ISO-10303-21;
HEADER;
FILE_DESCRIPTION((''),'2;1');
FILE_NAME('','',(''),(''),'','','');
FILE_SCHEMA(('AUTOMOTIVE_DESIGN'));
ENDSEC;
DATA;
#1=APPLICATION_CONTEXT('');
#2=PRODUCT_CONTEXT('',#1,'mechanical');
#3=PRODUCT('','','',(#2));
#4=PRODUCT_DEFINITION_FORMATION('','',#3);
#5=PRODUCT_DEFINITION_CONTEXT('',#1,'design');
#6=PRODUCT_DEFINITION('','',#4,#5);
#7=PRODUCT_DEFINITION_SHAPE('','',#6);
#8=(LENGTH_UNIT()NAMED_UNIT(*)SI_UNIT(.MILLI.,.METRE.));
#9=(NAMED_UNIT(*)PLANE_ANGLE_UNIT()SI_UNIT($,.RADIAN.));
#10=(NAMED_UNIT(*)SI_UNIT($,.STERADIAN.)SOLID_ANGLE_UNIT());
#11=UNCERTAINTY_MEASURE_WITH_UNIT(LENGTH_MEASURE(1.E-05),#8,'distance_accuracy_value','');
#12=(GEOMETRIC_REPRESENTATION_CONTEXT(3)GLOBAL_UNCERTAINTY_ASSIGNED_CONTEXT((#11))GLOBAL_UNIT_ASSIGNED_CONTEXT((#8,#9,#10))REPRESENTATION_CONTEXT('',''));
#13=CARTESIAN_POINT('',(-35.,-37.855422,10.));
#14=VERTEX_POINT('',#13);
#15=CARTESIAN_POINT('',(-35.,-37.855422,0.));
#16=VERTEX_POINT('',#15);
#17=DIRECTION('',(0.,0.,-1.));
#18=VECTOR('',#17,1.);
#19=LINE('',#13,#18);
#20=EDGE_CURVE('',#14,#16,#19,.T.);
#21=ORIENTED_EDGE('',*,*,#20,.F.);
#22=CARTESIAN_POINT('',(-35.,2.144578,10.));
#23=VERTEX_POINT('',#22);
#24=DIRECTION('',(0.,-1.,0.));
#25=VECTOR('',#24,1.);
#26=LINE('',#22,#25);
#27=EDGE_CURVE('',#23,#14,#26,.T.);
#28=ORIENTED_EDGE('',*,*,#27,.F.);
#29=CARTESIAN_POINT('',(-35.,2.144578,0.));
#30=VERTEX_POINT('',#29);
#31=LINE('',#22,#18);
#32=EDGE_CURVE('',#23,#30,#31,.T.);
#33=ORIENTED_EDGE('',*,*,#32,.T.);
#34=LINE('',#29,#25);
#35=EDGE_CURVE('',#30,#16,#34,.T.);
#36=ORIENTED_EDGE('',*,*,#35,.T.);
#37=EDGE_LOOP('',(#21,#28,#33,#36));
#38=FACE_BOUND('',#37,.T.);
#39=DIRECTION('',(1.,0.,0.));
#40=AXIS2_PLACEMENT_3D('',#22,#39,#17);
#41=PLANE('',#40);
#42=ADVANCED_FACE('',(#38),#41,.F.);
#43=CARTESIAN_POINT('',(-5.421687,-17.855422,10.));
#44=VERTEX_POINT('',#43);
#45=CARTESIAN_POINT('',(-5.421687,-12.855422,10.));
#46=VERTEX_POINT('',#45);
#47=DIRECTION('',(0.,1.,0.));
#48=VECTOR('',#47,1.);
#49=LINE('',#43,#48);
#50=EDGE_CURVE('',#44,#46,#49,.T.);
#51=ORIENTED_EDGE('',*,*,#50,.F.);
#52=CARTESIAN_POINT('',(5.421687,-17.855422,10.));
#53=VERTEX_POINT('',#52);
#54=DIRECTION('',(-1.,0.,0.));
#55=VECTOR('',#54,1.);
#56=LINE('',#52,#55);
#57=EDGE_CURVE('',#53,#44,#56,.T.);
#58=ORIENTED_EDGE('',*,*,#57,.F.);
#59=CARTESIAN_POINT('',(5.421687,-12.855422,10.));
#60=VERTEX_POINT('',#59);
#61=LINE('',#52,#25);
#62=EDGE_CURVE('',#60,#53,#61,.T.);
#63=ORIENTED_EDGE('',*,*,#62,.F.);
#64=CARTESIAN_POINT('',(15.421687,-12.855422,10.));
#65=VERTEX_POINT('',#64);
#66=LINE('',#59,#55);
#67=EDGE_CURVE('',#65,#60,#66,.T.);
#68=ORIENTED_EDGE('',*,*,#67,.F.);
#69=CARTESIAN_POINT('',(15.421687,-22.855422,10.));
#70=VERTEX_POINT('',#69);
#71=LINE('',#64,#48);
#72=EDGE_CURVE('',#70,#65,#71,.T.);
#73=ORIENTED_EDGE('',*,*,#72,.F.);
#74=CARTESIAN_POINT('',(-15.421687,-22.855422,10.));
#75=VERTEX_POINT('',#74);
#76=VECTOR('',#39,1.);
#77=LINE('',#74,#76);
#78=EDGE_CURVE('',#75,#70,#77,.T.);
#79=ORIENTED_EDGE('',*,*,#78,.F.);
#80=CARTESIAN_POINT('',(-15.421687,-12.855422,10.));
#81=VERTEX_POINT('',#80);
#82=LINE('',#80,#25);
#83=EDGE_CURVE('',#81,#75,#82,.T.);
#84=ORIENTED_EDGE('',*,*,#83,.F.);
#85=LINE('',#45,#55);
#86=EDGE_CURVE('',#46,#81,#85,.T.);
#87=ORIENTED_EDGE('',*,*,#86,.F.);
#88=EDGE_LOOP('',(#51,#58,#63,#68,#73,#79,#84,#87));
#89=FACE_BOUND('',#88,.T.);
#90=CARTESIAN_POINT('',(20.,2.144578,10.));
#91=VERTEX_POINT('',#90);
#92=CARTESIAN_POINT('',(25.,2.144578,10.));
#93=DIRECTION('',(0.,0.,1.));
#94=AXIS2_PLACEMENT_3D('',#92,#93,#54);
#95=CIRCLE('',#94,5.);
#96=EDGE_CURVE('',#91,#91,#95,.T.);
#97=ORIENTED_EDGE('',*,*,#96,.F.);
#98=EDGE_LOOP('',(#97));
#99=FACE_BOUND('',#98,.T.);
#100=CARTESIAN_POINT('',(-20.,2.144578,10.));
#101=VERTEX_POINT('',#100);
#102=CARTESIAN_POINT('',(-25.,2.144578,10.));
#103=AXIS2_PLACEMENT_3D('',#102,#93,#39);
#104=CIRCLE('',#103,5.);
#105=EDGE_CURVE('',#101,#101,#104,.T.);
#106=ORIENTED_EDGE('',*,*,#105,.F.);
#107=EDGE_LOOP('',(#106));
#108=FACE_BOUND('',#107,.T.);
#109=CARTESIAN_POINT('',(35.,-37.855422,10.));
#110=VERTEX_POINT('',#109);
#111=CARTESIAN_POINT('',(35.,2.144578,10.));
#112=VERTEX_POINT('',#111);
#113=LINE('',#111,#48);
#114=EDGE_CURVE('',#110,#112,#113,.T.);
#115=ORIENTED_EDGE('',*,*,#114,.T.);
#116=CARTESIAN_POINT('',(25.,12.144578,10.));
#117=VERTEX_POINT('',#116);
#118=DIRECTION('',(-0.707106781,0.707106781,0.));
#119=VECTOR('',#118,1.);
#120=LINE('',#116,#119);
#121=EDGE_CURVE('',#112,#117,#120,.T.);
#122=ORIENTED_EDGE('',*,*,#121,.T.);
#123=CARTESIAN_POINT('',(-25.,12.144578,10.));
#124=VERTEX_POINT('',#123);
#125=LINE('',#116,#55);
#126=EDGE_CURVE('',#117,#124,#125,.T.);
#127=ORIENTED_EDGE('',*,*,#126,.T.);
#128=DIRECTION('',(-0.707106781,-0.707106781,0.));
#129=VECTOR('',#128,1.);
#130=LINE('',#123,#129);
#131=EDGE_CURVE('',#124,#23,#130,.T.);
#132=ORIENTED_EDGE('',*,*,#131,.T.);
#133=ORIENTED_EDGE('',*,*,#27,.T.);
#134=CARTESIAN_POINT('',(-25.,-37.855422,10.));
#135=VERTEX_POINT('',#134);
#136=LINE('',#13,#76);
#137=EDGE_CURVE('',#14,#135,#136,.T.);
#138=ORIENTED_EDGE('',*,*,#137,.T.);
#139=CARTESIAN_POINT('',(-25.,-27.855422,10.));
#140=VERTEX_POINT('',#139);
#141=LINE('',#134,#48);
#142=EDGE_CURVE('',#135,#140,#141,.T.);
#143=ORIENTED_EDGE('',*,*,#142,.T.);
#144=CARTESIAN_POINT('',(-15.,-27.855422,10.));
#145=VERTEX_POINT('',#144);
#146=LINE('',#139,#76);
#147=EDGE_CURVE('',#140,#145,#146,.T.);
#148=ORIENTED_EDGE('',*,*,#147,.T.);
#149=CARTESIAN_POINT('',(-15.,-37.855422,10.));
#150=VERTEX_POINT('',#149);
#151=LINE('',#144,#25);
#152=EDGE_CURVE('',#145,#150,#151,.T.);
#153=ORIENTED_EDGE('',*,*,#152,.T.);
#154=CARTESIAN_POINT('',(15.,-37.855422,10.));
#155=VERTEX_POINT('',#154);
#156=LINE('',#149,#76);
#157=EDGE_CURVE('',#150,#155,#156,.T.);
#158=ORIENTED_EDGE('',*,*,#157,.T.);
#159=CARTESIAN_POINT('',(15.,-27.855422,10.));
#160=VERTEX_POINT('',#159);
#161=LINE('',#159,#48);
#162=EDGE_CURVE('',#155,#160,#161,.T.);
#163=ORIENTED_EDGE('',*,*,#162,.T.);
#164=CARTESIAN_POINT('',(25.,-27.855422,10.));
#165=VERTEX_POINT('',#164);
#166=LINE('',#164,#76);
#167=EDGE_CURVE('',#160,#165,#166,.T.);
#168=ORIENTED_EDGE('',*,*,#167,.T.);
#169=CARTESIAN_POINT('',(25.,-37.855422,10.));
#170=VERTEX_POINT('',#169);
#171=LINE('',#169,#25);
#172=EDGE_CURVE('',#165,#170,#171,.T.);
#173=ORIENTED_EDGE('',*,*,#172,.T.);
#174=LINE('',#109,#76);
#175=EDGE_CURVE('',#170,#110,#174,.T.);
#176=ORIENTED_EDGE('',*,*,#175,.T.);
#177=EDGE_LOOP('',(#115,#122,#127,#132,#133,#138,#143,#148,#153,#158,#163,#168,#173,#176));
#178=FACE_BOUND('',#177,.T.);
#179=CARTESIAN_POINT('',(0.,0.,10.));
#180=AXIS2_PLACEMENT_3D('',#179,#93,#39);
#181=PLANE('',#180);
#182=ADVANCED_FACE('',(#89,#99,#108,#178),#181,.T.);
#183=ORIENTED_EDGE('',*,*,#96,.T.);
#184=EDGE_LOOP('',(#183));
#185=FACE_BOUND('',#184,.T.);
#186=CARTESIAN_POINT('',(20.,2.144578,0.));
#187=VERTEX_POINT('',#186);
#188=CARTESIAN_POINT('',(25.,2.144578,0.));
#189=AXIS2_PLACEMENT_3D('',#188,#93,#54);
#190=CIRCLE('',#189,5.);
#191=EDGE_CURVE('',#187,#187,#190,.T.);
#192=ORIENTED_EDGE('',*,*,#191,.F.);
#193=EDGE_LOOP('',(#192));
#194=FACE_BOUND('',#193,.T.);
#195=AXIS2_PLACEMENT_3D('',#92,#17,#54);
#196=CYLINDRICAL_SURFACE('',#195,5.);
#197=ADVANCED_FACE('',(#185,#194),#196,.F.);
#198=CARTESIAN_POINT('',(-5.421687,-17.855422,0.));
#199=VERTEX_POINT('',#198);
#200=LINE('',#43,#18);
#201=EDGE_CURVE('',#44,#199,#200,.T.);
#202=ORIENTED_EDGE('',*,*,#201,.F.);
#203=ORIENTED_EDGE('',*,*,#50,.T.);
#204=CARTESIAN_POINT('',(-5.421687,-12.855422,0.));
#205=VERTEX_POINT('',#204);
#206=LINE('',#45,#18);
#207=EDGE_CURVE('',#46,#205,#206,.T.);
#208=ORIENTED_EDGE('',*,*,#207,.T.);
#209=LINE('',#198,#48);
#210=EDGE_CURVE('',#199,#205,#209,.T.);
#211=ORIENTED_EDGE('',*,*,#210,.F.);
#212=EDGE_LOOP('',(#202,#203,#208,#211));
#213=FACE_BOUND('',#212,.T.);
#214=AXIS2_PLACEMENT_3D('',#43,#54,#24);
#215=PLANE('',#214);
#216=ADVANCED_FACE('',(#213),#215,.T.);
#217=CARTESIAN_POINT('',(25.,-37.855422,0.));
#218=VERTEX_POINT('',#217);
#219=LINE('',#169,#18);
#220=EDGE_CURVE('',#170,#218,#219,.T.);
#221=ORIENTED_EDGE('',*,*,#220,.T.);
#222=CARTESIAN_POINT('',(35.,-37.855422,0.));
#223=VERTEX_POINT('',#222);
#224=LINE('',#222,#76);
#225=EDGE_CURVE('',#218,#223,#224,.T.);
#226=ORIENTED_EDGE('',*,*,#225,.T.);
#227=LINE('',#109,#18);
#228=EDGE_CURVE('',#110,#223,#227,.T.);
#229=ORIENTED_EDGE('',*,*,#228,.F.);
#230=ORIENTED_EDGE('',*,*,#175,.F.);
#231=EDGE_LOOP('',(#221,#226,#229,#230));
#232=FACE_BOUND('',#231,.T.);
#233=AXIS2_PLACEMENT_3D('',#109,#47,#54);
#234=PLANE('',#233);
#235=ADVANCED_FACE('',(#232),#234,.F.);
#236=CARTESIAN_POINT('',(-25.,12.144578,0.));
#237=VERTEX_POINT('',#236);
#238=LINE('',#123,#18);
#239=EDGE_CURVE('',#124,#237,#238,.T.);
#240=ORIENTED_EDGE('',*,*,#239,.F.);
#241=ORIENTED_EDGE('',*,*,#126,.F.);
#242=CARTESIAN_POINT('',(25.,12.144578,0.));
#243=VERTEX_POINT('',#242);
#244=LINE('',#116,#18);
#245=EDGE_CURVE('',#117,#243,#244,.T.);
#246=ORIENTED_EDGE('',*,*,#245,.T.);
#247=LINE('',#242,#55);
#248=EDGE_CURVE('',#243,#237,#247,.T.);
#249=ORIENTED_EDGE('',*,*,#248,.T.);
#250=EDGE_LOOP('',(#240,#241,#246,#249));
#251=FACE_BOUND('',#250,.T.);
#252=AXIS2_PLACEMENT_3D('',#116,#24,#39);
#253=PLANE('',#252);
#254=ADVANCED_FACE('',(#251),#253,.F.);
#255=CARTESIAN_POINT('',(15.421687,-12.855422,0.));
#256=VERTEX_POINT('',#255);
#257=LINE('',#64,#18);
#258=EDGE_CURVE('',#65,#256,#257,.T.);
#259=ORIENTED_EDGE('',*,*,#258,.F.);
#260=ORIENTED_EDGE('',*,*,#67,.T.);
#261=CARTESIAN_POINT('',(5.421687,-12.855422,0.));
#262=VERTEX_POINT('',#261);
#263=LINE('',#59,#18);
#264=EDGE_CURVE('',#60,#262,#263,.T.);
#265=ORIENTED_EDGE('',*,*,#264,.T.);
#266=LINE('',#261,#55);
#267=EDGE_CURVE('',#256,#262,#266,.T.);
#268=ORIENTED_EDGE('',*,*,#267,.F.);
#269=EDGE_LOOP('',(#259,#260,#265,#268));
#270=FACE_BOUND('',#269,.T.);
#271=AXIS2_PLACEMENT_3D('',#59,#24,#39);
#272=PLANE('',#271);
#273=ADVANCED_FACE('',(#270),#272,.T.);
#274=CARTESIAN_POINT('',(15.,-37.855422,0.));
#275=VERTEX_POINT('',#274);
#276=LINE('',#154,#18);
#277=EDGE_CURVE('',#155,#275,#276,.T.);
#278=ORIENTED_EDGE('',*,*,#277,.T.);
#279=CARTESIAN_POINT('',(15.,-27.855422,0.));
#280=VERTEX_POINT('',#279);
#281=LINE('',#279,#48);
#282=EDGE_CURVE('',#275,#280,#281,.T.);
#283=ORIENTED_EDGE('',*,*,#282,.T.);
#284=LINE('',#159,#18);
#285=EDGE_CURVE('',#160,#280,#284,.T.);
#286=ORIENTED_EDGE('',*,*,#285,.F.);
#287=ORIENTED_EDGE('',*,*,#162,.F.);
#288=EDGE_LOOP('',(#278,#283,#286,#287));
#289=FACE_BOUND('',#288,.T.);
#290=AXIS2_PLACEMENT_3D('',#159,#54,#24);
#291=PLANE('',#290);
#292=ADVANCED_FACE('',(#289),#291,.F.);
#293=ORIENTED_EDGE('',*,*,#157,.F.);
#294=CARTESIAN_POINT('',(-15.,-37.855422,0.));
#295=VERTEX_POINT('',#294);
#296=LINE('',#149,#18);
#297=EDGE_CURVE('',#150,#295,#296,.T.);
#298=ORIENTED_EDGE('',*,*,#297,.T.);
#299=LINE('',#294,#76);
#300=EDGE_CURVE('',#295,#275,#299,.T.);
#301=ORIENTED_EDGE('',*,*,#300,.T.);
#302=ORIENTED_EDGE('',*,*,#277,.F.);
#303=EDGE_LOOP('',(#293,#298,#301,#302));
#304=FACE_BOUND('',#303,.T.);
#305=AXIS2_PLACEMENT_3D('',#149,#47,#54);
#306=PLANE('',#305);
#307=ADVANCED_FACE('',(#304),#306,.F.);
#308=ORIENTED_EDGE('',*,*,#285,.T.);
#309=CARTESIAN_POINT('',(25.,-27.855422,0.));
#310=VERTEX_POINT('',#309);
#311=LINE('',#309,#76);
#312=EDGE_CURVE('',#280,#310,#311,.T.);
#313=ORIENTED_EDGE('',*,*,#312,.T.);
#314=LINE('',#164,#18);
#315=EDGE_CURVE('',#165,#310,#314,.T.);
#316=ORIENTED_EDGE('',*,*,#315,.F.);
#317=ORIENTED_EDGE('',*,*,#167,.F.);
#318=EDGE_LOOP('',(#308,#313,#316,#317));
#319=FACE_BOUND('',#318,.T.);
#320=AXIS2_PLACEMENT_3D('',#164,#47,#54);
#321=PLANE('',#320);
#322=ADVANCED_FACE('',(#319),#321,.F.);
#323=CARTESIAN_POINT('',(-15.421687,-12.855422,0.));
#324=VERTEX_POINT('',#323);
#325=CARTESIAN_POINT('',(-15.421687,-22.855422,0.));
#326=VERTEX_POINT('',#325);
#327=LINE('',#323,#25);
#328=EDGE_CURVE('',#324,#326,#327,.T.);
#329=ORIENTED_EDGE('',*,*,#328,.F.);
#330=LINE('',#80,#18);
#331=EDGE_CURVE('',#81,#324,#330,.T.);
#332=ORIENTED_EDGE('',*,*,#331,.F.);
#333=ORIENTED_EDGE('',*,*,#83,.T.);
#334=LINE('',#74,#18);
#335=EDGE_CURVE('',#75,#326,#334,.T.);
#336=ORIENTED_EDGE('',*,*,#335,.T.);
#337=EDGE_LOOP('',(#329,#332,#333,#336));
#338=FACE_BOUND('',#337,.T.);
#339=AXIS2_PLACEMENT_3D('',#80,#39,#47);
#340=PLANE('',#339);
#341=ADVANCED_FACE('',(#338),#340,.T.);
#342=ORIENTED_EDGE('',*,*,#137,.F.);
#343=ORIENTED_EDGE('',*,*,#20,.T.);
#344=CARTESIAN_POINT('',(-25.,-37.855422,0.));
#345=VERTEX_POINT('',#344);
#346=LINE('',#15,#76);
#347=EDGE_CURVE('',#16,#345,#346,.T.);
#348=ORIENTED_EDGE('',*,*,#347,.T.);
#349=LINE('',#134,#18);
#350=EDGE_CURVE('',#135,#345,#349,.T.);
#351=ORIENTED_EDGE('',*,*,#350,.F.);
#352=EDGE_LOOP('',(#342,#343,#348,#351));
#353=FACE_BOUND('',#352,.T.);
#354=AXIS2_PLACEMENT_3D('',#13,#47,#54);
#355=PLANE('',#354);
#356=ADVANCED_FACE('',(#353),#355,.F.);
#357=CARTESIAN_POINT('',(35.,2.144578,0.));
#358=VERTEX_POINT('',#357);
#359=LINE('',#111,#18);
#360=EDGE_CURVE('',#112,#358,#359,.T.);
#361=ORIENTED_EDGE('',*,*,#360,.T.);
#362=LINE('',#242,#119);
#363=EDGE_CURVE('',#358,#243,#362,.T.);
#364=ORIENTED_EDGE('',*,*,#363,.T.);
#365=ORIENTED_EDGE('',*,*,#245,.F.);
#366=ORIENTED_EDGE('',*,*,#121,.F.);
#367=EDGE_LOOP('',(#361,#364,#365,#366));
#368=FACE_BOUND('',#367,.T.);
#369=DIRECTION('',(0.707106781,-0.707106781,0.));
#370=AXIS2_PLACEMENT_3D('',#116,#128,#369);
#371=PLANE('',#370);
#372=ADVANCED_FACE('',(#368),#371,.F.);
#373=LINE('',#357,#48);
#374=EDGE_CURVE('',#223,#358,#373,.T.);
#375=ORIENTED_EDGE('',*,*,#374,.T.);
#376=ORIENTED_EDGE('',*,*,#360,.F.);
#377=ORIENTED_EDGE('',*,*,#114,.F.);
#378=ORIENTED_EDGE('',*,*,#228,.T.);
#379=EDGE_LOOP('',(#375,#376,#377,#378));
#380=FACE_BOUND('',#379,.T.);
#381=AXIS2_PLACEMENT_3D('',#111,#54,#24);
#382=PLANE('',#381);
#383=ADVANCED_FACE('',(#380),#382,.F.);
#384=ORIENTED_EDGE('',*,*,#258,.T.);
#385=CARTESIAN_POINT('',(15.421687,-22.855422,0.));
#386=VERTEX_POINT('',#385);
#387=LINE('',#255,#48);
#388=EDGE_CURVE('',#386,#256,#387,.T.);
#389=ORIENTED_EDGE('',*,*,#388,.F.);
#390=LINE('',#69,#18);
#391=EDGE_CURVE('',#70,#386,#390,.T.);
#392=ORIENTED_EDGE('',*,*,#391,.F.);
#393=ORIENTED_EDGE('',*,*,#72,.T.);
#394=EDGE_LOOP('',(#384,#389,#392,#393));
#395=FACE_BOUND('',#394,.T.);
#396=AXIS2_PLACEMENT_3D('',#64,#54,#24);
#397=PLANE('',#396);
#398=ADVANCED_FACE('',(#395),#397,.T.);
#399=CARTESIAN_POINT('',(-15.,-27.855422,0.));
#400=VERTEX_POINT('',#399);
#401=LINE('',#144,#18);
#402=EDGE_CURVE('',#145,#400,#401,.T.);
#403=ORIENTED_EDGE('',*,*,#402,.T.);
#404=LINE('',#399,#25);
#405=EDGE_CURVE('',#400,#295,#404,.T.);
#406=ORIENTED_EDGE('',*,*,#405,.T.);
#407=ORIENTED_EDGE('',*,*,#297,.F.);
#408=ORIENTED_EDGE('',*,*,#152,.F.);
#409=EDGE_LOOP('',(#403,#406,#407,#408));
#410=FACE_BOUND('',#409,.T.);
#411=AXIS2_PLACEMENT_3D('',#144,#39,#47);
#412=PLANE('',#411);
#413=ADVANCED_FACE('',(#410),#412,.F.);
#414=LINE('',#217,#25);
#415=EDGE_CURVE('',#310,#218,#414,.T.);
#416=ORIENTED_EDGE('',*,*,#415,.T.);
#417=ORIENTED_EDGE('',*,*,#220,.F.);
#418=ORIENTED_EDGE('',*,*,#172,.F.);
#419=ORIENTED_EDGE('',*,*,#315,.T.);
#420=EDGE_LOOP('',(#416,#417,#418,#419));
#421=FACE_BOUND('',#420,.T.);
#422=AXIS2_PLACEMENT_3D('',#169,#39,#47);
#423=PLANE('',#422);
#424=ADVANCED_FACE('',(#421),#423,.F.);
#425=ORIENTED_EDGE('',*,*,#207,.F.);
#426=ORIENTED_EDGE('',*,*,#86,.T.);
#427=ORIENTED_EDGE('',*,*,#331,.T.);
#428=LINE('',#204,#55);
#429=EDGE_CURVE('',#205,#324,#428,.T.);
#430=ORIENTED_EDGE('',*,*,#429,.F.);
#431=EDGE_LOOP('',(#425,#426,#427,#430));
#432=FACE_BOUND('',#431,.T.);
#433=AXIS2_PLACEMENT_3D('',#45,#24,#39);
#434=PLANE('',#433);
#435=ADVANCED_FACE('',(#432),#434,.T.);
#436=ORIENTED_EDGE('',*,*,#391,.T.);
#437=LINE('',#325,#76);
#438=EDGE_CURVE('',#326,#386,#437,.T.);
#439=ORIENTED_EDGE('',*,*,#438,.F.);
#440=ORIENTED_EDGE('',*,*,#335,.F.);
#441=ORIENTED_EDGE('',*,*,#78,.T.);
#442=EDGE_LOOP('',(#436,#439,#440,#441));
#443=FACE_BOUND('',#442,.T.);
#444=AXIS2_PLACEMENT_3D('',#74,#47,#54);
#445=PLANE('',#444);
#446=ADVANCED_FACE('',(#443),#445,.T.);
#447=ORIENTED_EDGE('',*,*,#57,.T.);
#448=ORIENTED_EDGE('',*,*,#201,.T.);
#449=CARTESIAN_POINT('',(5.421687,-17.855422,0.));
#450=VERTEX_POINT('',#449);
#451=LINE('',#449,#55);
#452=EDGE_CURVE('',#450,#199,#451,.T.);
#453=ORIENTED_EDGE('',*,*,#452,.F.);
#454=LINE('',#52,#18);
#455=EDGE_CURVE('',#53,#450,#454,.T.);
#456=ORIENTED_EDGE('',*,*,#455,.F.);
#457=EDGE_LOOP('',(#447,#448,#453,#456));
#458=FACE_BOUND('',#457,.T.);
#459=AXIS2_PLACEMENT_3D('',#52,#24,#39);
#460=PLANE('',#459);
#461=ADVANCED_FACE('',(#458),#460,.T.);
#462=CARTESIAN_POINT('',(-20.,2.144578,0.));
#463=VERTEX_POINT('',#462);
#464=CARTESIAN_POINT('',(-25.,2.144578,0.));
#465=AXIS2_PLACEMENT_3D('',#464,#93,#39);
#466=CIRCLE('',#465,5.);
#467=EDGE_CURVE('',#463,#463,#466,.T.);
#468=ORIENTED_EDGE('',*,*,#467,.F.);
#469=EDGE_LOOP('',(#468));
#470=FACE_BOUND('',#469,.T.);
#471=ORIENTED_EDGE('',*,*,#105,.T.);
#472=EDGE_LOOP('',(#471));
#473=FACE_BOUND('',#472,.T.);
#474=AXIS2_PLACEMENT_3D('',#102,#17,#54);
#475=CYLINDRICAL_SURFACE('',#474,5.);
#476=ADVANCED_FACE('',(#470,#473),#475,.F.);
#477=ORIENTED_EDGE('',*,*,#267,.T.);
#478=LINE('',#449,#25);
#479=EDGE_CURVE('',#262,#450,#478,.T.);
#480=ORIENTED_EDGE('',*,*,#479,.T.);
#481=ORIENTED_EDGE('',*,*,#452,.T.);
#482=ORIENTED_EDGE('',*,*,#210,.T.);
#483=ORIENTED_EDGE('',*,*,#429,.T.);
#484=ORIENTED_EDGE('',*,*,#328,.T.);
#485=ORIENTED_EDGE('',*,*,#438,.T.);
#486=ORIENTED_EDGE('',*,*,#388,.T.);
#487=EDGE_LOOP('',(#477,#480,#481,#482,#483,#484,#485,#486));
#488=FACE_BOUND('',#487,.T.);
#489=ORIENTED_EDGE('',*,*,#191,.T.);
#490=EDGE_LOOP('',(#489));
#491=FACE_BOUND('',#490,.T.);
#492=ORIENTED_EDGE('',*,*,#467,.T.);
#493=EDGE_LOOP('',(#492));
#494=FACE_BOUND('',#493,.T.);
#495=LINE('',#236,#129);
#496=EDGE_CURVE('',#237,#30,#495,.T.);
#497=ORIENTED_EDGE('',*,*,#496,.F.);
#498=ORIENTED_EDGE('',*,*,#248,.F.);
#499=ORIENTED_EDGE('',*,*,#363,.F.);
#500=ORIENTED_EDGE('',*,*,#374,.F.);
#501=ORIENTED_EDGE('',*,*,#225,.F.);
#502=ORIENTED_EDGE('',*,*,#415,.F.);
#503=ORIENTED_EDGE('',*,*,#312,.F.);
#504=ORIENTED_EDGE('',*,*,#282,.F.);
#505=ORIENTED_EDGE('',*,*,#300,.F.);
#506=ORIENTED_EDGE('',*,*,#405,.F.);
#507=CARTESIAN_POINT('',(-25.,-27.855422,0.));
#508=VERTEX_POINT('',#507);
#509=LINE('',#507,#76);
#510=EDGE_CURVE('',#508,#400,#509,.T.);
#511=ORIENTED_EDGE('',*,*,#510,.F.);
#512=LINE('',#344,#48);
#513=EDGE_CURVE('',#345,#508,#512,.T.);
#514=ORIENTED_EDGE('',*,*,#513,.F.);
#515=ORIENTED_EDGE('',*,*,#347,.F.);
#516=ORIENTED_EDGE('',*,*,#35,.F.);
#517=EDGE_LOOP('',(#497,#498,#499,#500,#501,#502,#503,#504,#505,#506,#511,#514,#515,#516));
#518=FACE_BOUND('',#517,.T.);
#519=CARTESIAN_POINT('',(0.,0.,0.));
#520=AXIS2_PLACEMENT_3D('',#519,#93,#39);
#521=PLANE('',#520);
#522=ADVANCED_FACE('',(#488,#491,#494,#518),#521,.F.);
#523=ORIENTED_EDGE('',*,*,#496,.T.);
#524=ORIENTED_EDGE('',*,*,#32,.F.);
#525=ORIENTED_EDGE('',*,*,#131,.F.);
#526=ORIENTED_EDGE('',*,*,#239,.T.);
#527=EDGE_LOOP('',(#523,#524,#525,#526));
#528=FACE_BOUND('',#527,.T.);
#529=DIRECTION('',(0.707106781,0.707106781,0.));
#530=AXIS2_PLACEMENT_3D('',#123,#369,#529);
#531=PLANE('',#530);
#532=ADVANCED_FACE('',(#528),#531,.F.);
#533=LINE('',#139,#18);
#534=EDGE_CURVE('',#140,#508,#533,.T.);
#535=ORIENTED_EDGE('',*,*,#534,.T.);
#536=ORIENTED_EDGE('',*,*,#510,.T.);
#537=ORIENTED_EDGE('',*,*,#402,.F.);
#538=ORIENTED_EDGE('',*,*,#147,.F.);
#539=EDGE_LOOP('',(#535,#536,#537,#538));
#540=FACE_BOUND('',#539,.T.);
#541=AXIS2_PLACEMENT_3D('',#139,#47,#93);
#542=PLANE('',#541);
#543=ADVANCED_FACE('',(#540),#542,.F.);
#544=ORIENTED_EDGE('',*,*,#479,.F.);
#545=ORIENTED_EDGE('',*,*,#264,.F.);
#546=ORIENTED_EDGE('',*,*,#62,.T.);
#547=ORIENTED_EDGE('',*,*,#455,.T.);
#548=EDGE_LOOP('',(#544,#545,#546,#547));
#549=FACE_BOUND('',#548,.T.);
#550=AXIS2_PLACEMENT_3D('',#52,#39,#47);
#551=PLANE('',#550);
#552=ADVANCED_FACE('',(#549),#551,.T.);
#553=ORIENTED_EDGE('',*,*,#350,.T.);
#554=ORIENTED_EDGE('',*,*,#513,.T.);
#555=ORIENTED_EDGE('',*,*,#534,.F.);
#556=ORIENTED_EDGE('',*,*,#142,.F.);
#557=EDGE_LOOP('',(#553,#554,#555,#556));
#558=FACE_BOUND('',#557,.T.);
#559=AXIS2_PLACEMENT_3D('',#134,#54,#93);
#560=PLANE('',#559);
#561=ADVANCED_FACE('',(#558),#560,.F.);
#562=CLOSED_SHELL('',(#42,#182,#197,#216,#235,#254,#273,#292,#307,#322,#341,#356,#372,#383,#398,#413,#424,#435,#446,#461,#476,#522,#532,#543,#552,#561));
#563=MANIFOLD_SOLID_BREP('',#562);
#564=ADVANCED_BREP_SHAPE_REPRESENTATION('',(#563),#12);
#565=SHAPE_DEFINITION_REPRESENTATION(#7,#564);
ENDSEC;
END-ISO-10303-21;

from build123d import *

# Parameters (mm, degrees)
SKETCH1_R           = 5
BOSS_EXTRUDE2_DEPTH = 10


with BuildPart() as part:
    # Sketch1 → Boss-Extrude2 (new body)
    with BuildSketch(Plane.XY):
        Polygon((25, 12.144578313), (-25, 12.144578313), (-35, 2.144578313), (-35, -37.855421687), (-25, -37.855421687), (-25, -27.855421687), (-15, -27.855421687), (-15, -37.855421687), (15, -37.855421687), (15, -27.855421687), (25, -27.855421687), (25, -37.855421687), (35, -37.855421687), (35, 2.144578313), align=None)
        with Locations((-25, 2.144578313)):
            Circle(SKETCH1_R, mode=Mode.SUBTRACT)
        with Locations(Location((25, 2.144578313, 0), (0, 0, 180))):
            Circle(SKETCH1_R, mode=Mode.SUBTRACT)
        Polygon((5.421686747, -17.855421687), (-5.421686747, -17.855421687), (-5.421686747, -12.855421687), (-15.421686747, -12.855421687), (-15.421686747, -22.855421687), (15.421686747, -22.855421687), (15.421686747, -12.855421687), (5.421686747, -12.855421687), align=None, mode=Mode.SUBTRACT)
    extrude(amount=BOSS_EXTRUDE2_DEPTH)


solid = part.part
